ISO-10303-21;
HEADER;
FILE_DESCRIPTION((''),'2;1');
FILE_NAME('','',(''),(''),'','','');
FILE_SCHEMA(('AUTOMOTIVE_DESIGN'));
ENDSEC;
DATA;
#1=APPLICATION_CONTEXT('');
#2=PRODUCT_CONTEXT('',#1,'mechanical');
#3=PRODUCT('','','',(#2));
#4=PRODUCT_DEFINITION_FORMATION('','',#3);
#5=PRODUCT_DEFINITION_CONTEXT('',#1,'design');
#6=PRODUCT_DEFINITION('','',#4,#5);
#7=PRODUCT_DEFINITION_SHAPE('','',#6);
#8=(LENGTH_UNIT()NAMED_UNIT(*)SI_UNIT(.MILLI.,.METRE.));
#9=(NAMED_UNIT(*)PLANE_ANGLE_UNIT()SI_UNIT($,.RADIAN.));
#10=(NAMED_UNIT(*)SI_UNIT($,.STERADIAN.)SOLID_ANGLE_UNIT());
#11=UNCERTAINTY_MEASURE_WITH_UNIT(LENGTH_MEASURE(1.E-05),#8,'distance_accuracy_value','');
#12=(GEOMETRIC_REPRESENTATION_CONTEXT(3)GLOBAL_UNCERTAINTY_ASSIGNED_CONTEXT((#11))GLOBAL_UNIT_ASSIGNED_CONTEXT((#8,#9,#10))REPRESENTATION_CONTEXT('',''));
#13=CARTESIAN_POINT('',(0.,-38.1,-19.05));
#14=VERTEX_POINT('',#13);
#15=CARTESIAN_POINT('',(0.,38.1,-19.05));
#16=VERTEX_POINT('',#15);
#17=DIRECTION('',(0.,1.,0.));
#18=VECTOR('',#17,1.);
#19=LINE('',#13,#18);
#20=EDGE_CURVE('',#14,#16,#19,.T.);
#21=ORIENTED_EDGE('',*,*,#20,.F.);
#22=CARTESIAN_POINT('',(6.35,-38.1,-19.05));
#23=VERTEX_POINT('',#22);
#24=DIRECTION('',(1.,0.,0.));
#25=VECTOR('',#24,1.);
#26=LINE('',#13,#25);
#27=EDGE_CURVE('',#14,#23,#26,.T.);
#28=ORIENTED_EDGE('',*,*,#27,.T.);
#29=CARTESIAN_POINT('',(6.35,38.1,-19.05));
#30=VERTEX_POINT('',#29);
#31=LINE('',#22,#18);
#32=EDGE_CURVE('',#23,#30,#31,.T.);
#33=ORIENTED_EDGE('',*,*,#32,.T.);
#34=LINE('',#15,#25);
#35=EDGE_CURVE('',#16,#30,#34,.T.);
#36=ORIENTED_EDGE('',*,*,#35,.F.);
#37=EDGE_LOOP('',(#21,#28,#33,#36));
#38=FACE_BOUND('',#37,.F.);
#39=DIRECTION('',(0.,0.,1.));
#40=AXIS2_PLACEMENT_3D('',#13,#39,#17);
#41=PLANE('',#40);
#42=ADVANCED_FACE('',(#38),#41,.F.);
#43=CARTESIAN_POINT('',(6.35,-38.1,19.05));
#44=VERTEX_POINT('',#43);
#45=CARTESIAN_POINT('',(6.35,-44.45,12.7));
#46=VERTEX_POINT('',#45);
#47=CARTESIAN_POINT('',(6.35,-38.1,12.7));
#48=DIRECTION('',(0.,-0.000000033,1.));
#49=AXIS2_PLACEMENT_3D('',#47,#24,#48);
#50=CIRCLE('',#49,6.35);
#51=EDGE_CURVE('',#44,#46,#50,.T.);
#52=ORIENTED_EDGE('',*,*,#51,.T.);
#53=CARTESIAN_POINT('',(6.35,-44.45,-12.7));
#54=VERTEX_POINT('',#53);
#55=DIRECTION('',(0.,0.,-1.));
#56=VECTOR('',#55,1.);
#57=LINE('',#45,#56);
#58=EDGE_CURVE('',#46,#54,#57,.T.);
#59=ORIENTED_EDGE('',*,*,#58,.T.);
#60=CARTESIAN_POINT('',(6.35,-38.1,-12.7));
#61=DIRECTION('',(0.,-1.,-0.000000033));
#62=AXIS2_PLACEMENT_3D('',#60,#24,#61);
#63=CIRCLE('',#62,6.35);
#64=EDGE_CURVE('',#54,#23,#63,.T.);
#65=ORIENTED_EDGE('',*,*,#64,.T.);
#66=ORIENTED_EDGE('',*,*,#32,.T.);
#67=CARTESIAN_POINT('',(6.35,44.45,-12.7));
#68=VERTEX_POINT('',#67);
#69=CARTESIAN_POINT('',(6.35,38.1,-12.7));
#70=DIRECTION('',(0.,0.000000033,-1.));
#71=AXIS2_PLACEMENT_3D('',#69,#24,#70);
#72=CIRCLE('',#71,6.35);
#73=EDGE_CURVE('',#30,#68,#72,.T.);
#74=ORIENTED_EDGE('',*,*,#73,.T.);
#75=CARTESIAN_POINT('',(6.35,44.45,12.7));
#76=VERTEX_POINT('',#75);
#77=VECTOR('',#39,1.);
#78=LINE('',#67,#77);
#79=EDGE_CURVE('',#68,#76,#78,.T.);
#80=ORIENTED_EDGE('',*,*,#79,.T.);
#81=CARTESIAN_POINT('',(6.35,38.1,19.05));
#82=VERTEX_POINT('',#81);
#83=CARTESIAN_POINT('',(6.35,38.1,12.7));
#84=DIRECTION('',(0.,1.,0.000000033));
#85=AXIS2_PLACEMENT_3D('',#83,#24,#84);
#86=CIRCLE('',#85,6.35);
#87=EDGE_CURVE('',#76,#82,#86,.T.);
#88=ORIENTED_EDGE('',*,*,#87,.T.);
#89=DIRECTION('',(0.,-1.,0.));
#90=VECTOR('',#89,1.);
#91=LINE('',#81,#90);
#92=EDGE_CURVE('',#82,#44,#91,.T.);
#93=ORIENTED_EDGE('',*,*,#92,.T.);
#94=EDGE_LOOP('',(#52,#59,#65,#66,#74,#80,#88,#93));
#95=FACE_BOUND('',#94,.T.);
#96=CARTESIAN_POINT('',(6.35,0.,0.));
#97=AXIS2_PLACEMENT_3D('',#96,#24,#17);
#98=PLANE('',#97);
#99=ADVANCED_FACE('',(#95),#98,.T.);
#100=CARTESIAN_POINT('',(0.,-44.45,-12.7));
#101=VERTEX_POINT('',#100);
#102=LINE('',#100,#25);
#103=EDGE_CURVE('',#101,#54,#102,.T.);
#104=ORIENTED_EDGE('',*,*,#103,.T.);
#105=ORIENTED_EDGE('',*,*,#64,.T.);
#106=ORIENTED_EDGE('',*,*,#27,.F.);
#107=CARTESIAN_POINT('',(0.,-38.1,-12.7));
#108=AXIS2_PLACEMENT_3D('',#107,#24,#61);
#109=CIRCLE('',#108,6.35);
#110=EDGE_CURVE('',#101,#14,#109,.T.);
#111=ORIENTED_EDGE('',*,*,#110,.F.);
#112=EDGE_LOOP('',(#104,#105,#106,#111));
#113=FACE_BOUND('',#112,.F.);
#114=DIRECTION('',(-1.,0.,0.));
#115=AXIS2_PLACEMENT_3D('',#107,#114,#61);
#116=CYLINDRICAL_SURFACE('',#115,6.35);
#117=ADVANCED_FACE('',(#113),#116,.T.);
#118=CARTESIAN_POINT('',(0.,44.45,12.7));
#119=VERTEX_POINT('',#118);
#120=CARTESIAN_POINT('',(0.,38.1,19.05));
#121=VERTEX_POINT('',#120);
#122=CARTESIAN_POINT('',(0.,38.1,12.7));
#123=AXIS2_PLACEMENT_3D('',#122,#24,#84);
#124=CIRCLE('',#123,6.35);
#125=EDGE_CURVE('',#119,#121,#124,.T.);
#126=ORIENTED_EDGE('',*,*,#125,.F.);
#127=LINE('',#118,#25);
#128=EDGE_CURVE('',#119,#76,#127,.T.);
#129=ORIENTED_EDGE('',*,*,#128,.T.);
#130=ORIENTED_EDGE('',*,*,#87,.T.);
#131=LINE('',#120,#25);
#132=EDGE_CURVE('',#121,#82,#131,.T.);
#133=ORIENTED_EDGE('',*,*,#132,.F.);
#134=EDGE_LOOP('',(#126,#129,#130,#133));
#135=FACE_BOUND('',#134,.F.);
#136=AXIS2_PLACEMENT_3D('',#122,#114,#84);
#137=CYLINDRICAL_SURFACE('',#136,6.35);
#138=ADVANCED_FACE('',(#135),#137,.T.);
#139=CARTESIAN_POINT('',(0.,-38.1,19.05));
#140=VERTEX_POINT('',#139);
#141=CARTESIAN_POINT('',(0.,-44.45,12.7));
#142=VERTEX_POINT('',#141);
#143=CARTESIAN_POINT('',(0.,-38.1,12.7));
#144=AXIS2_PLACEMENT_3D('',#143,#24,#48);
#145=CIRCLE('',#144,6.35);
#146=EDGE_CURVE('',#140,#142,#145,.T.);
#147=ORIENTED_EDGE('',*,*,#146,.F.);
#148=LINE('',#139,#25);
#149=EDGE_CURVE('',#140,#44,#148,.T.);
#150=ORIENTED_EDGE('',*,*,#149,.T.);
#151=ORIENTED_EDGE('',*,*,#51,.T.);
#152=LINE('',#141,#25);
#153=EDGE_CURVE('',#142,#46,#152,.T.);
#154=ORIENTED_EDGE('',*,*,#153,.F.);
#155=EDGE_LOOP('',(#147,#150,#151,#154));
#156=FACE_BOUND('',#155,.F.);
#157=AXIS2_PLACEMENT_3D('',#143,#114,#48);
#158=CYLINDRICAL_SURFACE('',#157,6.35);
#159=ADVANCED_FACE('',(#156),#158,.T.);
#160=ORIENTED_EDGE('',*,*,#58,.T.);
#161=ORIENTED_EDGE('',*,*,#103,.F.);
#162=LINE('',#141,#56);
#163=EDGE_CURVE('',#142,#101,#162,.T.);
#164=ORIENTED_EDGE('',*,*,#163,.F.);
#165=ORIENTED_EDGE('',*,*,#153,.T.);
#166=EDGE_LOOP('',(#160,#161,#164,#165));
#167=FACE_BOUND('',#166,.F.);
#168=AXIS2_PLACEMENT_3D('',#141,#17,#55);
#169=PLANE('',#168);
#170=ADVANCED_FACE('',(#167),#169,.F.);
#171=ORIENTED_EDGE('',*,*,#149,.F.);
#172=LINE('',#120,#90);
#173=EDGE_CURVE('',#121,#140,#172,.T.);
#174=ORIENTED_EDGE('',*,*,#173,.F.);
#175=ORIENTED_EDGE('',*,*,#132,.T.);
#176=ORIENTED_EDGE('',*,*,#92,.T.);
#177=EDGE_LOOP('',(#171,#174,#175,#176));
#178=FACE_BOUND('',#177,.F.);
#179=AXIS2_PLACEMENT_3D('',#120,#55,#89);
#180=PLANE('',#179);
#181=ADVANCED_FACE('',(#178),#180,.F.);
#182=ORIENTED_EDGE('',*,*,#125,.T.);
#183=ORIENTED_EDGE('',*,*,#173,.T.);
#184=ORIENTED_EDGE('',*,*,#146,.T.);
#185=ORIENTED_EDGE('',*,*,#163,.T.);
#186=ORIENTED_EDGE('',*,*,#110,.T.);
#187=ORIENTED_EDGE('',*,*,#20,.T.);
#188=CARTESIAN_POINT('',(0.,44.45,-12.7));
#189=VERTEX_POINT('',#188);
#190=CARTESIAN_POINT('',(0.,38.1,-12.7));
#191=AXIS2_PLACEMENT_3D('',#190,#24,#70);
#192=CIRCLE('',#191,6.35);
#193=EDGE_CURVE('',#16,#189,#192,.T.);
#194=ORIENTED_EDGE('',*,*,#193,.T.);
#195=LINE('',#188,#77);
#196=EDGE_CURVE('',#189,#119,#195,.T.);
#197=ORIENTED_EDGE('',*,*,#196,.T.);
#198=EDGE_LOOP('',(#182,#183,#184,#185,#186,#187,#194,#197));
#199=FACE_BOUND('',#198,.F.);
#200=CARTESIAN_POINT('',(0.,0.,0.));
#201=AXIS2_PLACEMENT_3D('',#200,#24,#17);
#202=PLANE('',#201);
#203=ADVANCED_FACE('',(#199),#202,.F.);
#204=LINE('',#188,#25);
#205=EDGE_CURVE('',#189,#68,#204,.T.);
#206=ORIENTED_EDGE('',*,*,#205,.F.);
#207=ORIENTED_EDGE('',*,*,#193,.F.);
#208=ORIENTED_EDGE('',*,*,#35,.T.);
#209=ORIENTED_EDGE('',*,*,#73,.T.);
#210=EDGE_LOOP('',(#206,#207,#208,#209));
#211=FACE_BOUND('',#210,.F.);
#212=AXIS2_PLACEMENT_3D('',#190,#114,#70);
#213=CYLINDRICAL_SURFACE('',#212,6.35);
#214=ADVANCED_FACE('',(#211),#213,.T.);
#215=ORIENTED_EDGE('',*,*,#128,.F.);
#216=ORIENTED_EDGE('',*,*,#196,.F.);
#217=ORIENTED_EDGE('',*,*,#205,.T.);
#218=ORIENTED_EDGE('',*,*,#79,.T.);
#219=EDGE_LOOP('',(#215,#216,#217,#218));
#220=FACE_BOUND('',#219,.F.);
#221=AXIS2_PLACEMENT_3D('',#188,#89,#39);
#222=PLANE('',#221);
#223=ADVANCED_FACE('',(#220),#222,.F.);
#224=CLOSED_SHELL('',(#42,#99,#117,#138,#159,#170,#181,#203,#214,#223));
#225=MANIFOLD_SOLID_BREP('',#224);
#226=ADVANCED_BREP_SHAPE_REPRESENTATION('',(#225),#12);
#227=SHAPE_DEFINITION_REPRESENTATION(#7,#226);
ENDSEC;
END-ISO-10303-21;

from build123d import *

# Parameters (mm, degrees)
F1_DEPTH = 6.35


with BuildPart() as f1:
    # F0 (on Right) → F1 (new body)
    with BuildSketch(Plane.YZ):
        with BuildLine():
            ThreePointArc((44.45, 12.7), (42.590128, 17.190128), (38.1, 19.05))
            Line((38.1, 19.05), (-38.1, 19.05))
            ThreePointArc((-38.1, 19.05), (-42.590128, 17.190128), (-44.45, 12.7))
            Line((-44.45, 12.7), (-44.45, -12.7))
            ThreePointArc((-44.45, -12.7), (-42.590128, -17.190128), (-38.1, -19.05))
            Line((-38.1, -19.05), (38.1, -19.05))
            ThreePointArc((38.1, -19.05), (42.590128, -17.190128), (44.45, -12.7))
            Line((44.45, -12.7), (44.45, 12.7))
        make_face()
    extrude(amount=F1_DEPTH)


solid = f1.part
